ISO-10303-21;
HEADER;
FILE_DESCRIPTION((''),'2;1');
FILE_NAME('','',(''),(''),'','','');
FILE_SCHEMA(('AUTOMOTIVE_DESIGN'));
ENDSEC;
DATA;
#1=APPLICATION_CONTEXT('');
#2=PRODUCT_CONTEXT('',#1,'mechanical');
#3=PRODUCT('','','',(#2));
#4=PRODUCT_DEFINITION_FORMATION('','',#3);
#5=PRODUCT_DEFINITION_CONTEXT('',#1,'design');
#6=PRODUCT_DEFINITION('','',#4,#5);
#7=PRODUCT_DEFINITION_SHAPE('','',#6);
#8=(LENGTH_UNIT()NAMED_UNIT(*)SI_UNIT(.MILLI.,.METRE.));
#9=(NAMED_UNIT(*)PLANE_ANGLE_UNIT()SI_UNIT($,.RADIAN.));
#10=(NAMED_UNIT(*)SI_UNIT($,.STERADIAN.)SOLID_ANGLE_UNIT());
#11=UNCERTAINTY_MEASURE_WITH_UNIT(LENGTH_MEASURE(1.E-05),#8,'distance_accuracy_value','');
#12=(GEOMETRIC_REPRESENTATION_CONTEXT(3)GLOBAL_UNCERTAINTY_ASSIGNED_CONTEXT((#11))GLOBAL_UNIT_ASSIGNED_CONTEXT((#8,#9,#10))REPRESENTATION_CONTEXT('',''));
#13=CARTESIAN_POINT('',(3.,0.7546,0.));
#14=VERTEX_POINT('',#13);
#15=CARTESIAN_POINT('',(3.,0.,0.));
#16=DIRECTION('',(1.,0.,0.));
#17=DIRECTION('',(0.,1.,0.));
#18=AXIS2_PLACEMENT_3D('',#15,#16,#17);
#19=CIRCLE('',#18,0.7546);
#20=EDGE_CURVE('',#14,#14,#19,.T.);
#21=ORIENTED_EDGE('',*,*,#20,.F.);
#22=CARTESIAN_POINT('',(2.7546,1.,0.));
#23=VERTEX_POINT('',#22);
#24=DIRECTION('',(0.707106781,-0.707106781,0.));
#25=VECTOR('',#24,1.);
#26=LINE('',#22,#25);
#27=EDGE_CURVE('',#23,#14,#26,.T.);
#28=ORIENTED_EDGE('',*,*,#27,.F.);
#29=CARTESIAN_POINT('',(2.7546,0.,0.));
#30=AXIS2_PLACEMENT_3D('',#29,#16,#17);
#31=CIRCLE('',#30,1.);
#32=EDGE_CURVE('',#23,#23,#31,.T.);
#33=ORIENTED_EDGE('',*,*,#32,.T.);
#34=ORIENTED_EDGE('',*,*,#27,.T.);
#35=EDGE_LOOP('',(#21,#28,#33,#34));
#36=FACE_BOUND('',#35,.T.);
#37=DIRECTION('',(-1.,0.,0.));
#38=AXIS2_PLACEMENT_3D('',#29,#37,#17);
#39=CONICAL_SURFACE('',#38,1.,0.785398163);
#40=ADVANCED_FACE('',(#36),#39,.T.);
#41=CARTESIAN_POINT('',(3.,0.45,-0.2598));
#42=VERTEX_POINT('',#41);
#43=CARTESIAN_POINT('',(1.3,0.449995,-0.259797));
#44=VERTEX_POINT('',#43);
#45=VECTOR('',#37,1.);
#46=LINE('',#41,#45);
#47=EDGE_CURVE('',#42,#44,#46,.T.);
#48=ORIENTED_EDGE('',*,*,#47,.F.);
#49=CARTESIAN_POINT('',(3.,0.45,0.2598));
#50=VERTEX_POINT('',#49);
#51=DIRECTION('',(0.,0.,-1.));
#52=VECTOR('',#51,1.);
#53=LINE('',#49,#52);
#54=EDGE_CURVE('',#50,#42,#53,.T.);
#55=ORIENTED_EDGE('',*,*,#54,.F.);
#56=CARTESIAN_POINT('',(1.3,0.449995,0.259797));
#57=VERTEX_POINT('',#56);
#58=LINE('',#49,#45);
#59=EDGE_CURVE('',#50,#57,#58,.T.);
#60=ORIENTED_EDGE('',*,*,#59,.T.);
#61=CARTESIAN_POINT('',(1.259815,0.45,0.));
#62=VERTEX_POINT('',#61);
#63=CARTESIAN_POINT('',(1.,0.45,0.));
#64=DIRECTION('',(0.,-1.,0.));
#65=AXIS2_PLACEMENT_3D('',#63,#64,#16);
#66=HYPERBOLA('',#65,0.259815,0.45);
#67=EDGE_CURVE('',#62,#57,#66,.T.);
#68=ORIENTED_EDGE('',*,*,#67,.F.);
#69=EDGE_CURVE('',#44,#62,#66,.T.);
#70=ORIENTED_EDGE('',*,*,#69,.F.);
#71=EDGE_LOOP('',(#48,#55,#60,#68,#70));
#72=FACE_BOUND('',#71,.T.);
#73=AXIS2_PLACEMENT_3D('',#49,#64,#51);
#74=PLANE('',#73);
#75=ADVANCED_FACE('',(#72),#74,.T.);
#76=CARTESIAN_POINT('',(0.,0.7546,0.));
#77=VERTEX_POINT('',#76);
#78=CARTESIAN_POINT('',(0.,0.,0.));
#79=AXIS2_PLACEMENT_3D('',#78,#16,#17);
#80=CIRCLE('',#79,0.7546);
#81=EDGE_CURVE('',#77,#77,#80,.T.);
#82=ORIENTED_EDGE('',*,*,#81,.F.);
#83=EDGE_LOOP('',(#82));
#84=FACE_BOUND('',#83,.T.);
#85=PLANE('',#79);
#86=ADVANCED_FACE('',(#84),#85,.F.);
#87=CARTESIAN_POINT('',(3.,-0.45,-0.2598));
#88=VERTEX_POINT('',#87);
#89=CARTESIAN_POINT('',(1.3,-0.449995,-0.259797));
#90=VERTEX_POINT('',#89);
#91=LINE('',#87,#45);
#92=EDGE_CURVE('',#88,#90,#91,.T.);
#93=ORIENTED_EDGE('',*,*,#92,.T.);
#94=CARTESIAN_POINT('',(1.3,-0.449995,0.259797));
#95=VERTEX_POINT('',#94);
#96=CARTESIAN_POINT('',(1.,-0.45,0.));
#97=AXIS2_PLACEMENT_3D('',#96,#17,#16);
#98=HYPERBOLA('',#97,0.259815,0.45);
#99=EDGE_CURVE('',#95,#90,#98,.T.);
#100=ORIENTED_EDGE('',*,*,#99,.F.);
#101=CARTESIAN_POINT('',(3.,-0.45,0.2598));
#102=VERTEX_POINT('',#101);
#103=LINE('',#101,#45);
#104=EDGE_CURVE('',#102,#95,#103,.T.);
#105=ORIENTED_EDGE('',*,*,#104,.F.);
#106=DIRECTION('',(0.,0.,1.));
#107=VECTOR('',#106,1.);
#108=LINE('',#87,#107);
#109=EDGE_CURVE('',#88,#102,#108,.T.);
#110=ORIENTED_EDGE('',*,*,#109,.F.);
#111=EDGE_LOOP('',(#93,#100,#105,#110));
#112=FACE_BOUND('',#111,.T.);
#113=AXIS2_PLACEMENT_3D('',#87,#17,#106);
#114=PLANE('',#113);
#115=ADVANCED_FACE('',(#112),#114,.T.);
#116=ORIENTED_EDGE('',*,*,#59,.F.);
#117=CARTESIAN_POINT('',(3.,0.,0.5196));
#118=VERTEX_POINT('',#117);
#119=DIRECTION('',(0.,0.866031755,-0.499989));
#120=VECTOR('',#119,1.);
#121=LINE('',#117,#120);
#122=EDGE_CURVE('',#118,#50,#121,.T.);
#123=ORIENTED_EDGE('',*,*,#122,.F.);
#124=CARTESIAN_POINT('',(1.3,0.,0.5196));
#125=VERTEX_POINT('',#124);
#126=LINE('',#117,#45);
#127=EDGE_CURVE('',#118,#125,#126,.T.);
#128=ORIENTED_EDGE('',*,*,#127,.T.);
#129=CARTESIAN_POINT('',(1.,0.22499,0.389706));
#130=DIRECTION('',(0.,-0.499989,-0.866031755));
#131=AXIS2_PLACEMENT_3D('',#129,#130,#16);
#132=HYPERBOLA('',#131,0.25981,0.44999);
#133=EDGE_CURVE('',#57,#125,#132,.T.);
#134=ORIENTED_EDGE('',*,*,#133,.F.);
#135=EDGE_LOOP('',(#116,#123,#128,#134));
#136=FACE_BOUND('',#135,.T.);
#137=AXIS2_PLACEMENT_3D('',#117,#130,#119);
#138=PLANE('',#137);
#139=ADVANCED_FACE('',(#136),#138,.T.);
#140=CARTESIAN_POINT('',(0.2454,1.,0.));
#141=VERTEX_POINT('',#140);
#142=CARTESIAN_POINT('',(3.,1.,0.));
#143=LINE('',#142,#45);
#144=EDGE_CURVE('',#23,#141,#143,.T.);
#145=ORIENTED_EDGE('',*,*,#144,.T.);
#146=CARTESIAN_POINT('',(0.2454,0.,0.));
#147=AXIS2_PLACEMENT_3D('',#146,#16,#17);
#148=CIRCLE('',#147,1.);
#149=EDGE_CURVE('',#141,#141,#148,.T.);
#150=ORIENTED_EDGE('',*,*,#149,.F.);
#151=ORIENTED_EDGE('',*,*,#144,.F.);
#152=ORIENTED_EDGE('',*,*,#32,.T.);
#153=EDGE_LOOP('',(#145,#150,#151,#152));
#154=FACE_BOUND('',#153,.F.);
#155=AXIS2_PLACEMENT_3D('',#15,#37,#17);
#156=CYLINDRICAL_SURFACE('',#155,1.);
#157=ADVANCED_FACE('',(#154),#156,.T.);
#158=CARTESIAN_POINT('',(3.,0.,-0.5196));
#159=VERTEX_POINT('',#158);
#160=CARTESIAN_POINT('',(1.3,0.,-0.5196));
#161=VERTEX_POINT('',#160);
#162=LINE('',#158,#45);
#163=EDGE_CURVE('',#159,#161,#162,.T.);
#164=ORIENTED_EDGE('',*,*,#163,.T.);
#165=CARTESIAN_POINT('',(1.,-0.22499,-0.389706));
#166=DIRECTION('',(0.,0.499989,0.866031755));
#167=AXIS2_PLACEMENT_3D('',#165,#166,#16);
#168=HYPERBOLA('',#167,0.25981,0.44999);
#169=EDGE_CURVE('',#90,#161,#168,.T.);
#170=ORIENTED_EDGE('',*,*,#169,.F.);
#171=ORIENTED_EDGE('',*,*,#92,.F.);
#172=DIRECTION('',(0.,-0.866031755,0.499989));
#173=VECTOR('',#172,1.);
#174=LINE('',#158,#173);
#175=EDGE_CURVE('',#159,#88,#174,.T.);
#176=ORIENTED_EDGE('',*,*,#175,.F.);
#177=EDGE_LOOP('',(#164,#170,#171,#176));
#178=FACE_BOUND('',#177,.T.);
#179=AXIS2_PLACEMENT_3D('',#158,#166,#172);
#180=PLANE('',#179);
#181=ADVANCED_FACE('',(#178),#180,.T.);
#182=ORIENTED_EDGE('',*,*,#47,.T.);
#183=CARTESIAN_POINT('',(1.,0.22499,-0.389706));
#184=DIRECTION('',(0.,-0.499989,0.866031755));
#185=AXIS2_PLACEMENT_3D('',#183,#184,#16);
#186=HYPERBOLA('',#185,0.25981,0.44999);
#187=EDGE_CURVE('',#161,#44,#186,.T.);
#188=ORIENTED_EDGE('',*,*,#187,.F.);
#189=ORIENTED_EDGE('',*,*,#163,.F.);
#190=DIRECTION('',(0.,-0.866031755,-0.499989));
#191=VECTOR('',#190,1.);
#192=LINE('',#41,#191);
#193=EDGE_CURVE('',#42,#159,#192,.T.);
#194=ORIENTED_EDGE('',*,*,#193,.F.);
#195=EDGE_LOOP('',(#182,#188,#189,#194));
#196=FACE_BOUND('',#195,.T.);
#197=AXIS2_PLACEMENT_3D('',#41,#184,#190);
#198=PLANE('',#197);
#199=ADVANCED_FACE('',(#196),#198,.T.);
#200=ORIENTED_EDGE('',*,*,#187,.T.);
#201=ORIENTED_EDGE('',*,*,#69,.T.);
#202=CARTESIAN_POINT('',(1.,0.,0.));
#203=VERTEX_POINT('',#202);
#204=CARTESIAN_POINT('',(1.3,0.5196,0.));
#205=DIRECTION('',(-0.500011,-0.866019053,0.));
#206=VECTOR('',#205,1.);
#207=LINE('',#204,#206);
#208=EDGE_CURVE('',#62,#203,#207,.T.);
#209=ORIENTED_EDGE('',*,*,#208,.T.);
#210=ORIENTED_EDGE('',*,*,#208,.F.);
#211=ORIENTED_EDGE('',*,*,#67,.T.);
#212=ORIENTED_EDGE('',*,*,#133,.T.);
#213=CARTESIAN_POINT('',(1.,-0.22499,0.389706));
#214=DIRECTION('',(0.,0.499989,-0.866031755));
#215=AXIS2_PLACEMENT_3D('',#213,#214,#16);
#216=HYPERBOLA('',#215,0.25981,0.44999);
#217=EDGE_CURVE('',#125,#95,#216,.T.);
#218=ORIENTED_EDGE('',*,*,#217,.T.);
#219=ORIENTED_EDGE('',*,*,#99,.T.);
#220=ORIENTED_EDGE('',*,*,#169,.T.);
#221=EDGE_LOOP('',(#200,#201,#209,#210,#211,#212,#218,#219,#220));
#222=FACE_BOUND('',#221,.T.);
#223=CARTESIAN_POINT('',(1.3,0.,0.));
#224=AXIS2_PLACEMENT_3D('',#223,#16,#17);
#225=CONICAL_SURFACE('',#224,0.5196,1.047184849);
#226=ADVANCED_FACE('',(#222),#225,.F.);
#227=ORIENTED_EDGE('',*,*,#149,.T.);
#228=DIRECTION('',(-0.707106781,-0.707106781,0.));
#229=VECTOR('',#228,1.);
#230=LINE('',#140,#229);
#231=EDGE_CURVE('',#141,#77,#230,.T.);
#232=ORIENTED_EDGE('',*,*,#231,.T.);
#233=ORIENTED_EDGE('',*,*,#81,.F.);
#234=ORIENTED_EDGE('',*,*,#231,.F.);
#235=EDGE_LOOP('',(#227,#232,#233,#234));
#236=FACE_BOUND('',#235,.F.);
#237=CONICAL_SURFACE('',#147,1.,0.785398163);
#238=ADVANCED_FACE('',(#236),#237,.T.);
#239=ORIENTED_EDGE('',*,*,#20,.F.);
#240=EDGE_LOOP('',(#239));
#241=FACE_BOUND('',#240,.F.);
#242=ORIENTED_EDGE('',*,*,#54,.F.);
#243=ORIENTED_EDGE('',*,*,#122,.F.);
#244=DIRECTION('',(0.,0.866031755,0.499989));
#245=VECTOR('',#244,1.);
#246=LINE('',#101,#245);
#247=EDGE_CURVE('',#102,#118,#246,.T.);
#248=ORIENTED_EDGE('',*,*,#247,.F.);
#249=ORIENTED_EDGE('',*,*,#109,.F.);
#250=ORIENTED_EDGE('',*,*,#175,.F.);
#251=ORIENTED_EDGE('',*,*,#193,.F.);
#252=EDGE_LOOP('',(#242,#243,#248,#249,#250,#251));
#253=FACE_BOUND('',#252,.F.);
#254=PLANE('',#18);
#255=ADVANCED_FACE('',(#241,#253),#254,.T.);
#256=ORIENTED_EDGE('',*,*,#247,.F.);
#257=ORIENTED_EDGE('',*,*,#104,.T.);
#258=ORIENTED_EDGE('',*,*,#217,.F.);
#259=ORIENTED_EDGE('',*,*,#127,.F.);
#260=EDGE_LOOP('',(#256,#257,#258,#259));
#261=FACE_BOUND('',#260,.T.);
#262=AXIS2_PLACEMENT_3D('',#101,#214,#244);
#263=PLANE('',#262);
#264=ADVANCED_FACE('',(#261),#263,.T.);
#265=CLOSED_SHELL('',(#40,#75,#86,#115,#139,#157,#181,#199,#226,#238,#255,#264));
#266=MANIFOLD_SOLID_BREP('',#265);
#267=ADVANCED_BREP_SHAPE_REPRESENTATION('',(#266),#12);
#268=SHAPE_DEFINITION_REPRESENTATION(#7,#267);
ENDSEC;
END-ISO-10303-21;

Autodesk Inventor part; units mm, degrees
ref_plane "YZ Plane" through (0, 0, 0) normal (1, 0, 0) x (0, 1, 0)
ref_plane "XZ Plane" through (0, 0, 0) normal (0, 1, 0) x (-1, 0, 0)
sketch "Skizze1" plane through (0, 0, 0) normal (0, 0, 1) x (1, 0, 0)
  line L0 (0, 0) -> (1, 0)
  line L1 (3, 0.5196) -> (3, 1)
  line L2 (3, 1) -> (0, 1)
  line L3 (3, 0.5196) -> (1.3, 0.5196)
  line L4 (1.3, 0.5196) -> (1, 0)
  line L5 (0, -0.2) -> (0, 1.2) projected
  line L6 (0, 1) -> (0, 0)
  dimension "d0" = 1.7
  dimension "d1" = 60
  dimension "d2" = 2
  dimension "d3" = 1.0392
  dimension "d5" = 3
revolve "Körper" add sketch "Skizze1" angle 360 about axis through (0, 0, 0) along (1, 0, 0)
chamfer "Fase1" distance 0.2454 angle 45 1 edges at (3, -1, 0) measured on face at (3, 0.8252, -0.1212)
sketch "Skizze2" plane through (3, 0, 0) normal (1, 0, 0) x (0, 0, -1)
  circle A0 centre (0, 0) radius 0.5196 projected
  line L0 (-0.2598, 0.45) -> (0.2598, 0.45)
  line L1 (0.2598, 0.45) -> (0.5196, 0)
  line L2 (0.5196, 0) -> (0.2598, -0.45)
  line L3 (0.2598, -0.45) -> (-0.2598, -0.45)
  line L4 (-0.2598, -0.45) -> (-0.5196, 0)
  line L5 (-0.5196, 0) -> (-0.2598, 0.45)
extrude "Loch" add sketch "Skizze2" against normal up to next contours L1 A0 | A0 L2 | L0 A0 | A0 L3 | L5 A0 | A0 L4
thread "Gewinde" size "M2x0.4" class "6g" standard "ISO Metric profile" length 3
chamfer "Fase2" distance 0.2454 angle 45 1 edges at (0, -1, 0) measured on face at (0.9182, 0.9968, -0.0805)
ref_plane "Work Plane1" through (1.5, 0, 0) normal (0, 0.5, 0.866) x (1, 0, 0)
equation "\"d0\" = INTI"
equation "\"d2\" = NND"
equation "\"d3\" = 1.1547 * SW"
equation "\"d5\" = NLG"
equation "\"d7\" = -0.5 * GD1 + 0.5 * NND"
equation "\"d8\" = FAWI"
equation "\"d29\" = -0.5 * GD1 + 0.5 * NND"
equation "\"d11\" = NLG"
equation "\"d13\" = -0.5 * GD1 + 0.5 * NND"
equation "\"d14\" = FAWI"
equation "\"d30\" = -0.5 * GD1 + 0.5 * NND"
equation "\"NND\" = 2"
equation "\"NLG\" = 3"
equation "\"INTI\" = 1.7"
equation "\"FAWI\" = 45deg"
equation "\"SW\" = 0.9"
equation "\"GD1\" = THREADDIA - 1.2269 * PTC"
equation "\"FAWI1\" = 45deg"
equation "\"GUL\" = 0.61345 * PTC"
equation "\"SPD\" = 1"
equation "\"TOA\" = 30deg"
equation "\"THREADDIA\" = 2"
equation "\"PTC\" = 0.4"
equation "\"GAL\" = 0.61345 * PTC"
equation "\"E0\" = 1.155 * SW"
properties part number "BS 4168 - M2 x 3" material "Steel, Mild"
